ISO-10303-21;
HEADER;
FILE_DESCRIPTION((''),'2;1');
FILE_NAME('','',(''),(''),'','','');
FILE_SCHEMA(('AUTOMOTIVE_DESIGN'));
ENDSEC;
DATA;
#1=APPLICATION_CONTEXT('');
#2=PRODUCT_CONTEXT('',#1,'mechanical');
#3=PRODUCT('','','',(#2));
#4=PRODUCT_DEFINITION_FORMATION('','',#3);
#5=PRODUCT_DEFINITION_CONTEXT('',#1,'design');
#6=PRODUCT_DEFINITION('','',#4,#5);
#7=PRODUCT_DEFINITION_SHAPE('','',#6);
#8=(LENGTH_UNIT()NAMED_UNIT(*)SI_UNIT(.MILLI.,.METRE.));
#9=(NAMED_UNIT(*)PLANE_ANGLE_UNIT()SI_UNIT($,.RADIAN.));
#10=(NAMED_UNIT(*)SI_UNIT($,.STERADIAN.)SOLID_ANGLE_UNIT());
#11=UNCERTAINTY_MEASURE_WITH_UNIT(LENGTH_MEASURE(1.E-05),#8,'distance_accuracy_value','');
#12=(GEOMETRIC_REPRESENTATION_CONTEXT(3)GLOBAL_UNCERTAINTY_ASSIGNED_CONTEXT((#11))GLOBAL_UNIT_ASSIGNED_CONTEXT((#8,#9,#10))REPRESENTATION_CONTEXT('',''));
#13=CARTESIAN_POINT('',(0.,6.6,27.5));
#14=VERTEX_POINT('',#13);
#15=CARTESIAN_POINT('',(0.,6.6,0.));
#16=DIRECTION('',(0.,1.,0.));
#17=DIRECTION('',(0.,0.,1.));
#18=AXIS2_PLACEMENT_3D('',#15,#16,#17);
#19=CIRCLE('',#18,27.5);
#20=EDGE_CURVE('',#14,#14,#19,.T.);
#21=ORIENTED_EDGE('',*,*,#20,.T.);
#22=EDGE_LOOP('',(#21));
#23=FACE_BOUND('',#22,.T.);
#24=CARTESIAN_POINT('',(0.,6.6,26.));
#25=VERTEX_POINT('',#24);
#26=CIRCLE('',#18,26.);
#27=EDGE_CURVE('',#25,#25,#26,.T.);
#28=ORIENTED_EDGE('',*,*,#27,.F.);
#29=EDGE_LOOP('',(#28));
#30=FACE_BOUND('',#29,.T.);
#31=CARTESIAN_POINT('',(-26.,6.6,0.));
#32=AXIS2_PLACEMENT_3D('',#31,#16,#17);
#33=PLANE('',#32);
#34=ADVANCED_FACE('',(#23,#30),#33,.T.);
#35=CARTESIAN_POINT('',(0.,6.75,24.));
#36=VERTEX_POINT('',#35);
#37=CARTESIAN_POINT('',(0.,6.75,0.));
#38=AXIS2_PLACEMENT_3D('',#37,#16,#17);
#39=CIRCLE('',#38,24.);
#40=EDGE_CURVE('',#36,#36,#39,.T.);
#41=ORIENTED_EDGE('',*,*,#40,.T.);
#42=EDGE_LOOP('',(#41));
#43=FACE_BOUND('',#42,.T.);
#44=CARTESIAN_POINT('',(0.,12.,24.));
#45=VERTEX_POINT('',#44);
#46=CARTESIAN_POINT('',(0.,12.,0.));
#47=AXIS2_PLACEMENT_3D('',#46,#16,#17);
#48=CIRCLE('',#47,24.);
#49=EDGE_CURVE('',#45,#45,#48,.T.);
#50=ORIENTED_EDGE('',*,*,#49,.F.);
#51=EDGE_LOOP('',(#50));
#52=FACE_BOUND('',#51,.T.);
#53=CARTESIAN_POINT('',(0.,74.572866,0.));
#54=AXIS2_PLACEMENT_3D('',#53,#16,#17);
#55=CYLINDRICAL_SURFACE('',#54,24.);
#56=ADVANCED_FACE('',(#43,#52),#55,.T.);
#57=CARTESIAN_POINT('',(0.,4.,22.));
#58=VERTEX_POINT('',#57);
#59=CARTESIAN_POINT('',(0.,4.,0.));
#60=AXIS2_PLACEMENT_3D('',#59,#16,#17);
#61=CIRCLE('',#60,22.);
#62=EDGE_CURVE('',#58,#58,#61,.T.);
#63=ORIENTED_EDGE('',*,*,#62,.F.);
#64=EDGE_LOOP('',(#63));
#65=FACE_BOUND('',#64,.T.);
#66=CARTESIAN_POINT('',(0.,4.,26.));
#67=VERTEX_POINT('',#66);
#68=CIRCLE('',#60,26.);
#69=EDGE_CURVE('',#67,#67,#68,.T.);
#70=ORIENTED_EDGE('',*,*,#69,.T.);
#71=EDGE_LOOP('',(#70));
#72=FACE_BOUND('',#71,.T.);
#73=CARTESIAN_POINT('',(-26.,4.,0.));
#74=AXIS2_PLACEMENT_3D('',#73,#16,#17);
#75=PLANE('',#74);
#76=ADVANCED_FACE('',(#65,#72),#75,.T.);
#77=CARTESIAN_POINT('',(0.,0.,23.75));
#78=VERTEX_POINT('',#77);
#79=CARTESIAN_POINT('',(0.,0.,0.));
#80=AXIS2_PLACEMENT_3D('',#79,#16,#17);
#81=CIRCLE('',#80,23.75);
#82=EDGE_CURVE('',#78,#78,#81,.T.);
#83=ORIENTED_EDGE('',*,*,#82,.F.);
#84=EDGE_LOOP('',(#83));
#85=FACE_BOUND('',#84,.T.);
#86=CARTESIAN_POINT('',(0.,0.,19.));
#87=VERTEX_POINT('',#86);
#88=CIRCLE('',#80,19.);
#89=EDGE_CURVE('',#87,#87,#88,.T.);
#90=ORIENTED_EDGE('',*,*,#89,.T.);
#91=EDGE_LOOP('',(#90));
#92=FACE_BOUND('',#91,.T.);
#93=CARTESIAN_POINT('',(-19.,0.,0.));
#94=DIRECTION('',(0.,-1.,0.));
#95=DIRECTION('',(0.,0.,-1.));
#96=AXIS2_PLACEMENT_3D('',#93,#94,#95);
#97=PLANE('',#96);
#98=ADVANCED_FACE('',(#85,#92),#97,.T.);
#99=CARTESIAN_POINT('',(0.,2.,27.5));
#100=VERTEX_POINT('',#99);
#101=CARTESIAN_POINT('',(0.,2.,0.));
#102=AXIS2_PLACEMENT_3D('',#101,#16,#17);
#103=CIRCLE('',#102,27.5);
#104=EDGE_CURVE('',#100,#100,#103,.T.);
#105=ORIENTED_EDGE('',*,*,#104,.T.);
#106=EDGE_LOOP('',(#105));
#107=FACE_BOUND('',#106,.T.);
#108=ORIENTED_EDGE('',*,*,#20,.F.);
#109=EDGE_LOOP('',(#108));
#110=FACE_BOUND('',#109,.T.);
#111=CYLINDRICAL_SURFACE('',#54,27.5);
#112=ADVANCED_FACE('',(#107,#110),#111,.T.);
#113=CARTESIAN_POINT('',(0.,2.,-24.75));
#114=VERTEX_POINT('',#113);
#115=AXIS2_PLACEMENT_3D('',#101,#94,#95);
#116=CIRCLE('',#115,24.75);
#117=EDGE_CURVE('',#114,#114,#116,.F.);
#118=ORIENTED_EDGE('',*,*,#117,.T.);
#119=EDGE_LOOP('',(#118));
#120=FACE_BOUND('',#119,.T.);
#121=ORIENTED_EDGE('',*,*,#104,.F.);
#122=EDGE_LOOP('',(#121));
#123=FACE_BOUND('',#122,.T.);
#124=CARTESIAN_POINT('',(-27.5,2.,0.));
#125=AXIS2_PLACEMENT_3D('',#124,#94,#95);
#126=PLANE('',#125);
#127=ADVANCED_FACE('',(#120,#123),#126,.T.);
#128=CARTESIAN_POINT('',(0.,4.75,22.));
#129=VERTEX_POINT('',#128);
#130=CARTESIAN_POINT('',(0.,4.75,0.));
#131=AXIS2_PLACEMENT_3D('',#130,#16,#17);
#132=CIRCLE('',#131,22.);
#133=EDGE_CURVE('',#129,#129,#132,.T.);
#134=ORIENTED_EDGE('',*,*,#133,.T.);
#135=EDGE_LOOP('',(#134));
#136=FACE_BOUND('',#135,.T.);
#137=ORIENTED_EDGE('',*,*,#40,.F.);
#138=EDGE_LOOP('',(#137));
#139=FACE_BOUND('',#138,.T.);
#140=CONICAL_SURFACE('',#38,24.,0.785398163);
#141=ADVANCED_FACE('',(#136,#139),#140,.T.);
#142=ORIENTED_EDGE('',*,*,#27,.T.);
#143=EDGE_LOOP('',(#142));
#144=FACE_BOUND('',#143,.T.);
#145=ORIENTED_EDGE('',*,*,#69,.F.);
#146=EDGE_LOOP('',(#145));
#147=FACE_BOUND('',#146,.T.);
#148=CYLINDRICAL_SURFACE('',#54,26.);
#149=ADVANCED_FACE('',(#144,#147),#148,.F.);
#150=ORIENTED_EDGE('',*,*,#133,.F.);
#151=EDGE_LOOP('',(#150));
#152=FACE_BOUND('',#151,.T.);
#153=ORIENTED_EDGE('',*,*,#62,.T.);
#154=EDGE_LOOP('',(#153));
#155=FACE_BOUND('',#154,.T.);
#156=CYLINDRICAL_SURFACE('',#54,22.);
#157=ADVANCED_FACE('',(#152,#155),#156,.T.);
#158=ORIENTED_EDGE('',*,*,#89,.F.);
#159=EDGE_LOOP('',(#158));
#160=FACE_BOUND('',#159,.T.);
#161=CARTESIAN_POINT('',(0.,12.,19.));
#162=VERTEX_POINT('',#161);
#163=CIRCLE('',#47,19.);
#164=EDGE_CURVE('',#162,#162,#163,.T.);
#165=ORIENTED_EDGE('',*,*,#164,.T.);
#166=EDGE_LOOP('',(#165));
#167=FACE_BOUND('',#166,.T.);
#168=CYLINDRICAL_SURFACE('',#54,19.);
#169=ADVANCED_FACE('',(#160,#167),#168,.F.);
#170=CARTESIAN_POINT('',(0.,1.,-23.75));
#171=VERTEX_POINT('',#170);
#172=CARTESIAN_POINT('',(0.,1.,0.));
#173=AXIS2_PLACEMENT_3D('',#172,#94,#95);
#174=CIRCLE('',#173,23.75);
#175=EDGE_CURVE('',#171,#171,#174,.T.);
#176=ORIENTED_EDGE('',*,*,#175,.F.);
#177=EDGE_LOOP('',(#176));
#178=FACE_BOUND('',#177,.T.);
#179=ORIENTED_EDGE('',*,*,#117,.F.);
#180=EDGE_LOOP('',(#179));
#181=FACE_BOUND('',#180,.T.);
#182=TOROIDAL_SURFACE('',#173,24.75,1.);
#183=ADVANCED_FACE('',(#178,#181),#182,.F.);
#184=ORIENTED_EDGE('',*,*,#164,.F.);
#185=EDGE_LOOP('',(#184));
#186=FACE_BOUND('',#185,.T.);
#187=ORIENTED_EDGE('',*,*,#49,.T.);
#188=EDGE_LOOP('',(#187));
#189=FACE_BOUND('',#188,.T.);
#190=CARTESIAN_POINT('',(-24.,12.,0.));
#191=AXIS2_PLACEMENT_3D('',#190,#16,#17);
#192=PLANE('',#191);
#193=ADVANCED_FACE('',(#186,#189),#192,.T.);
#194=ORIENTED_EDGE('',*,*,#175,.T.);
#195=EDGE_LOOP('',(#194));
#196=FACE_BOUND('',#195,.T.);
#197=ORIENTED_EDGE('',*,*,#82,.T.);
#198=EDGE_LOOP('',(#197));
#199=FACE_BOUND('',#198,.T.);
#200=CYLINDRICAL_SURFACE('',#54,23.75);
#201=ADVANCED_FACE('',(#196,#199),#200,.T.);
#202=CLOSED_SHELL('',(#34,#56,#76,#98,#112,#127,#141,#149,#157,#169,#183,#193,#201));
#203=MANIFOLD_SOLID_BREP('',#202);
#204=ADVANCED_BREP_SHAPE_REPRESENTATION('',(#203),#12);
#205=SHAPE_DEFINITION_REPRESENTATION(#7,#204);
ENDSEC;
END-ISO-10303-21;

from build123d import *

# Parameters (mm, degrees)
FILLET1_R = 1


with BuildPart() as part:
    # Sketch2 → Revolve1 (revolve)
    with BuildSketch(Plane.XY, mode=Mode.PRIVATE) as revolve1_sk:
        Polygon((-22, 4), (-22, 4.75), (-24, 6.75), (-24, 12), (-19, 12), (-19, 0), (-23.75, 0), (-23.75, 2), (-27.5, 2), (-27.5, 6.6), (-26, 6.6), (-26, 4), align=None)
    revolve(revolve1_sk.sketch.rotate(Axis((0, 74.572866062, 0), (0, -1, 0)), 270), axis=Axis((0, 74.572866062, 0), (0, -1, 0)))

    # Fillet1
    fillet1_edges = [part.edges().sort_by_distance(p)[0] for p in [
        (0, 2, -23.75),
    ]]
    fillet(fillet1_edges, radius=FILLET1_R)


solid = part.part
